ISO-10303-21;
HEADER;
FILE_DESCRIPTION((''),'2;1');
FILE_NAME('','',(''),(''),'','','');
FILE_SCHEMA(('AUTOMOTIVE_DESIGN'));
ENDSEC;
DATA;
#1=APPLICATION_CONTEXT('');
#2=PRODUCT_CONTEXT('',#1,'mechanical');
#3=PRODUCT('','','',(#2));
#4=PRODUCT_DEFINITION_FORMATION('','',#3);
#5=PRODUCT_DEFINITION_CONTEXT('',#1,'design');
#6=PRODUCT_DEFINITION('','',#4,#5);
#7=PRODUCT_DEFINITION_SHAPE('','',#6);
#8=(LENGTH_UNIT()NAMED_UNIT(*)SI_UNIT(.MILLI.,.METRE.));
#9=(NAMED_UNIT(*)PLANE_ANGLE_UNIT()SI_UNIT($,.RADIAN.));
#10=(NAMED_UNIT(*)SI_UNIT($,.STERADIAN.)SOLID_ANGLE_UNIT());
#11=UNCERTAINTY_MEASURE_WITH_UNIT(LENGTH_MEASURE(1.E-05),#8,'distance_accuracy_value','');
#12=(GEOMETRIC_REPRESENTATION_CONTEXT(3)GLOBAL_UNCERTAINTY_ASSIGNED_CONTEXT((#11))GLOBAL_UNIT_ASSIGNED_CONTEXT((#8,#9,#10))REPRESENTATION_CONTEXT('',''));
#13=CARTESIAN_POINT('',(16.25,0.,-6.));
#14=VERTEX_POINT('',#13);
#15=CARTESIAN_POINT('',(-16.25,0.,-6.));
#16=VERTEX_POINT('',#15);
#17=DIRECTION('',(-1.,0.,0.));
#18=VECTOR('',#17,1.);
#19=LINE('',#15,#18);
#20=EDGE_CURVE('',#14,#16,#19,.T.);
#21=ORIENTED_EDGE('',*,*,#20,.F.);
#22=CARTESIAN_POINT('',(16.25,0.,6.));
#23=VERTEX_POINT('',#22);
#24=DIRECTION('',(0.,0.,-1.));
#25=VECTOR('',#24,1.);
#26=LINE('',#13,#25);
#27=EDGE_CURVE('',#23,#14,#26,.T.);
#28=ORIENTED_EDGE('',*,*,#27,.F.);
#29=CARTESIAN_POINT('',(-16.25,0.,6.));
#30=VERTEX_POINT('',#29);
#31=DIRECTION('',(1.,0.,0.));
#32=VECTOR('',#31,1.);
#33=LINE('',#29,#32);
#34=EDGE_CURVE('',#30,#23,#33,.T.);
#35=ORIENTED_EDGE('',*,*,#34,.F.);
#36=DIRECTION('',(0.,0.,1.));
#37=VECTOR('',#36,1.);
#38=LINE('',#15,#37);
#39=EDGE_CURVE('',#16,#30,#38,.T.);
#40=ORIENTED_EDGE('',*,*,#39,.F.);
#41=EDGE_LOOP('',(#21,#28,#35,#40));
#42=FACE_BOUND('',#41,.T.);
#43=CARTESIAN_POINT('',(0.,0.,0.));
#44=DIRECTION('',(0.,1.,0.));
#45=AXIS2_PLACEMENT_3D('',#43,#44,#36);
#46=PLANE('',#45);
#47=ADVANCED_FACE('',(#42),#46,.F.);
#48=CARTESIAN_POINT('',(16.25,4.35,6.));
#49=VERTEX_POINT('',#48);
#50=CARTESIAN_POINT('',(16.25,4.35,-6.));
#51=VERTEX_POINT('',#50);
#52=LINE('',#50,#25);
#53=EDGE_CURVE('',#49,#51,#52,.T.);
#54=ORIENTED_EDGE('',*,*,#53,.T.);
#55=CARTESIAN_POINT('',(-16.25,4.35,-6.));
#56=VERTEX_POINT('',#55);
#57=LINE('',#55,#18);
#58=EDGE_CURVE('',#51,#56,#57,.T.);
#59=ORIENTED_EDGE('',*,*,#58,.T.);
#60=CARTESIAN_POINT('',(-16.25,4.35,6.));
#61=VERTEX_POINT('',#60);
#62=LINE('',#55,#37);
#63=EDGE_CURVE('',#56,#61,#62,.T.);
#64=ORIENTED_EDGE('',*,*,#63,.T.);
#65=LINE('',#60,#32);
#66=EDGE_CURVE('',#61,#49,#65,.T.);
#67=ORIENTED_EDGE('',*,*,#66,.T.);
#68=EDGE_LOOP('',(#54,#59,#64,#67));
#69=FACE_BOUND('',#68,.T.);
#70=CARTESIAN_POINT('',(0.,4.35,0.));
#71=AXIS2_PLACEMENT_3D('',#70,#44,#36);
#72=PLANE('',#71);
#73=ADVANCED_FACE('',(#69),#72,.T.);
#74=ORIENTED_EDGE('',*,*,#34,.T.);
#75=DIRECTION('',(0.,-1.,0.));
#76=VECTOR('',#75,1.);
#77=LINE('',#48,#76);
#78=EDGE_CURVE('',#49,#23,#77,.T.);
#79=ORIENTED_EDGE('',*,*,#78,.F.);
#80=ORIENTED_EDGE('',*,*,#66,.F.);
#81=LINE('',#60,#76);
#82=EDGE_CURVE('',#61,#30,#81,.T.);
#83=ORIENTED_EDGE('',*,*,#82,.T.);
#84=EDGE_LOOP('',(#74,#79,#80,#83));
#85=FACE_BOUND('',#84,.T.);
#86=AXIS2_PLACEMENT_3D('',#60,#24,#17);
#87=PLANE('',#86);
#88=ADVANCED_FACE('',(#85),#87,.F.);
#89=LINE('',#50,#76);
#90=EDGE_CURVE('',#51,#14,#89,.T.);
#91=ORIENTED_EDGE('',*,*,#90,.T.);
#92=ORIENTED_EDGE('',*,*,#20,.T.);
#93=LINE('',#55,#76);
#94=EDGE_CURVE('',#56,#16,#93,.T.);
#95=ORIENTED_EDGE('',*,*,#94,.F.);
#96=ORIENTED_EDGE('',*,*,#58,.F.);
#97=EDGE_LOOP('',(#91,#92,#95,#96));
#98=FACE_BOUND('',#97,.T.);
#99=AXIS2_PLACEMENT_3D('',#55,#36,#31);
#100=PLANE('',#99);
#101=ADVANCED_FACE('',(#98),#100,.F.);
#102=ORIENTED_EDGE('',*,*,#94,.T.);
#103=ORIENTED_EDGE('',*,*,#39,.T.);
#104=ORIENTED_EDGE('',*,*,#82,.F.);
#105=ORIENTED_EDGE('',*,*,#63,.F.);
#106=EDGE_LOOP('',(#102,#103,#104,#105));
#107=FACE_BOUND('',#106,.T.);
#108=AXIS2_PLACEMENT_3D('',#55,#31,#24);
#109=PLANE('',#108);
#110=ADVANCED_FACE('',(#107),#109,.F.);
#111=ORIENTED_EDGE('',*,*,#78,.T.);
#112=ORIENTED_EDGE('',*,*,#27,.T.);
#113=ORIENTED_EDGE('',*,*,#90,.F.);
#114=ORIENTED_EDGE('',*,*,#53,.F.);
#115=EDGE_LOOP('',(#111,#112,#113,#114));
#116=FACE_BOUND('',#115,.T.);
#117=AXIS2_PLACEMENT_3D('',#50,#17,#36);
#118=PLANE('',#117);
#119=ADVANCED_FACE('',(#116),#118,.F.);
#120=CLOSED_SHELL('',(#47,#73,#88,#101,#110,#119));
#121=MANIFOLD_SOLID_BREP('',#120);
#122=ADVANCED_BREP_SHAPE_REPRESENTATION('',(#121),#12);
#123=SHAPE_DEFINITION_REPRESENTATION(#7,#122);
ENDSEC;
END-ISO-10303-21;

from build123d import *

# Parameters (mm, degrees)
SKETCH1_W           = 32.5
SKETCH1_H           = 12
BOSS_EXTRUDE1_DEPTH = 4.35


with BuildPart() as part:
    # Sketch1 → Boss-Extrude1 (new body)
    with BuildSketch(Plane(origin=(0, 0, 0), x_dir=(1, 0, 0), z_dir=(0, 1, 0))):
        Rectangle(SKETCH1_W, SKETCH1_H)
    extrude(amount=BOSS_EXTRUDE1_DEPTH)


solid = part.part
